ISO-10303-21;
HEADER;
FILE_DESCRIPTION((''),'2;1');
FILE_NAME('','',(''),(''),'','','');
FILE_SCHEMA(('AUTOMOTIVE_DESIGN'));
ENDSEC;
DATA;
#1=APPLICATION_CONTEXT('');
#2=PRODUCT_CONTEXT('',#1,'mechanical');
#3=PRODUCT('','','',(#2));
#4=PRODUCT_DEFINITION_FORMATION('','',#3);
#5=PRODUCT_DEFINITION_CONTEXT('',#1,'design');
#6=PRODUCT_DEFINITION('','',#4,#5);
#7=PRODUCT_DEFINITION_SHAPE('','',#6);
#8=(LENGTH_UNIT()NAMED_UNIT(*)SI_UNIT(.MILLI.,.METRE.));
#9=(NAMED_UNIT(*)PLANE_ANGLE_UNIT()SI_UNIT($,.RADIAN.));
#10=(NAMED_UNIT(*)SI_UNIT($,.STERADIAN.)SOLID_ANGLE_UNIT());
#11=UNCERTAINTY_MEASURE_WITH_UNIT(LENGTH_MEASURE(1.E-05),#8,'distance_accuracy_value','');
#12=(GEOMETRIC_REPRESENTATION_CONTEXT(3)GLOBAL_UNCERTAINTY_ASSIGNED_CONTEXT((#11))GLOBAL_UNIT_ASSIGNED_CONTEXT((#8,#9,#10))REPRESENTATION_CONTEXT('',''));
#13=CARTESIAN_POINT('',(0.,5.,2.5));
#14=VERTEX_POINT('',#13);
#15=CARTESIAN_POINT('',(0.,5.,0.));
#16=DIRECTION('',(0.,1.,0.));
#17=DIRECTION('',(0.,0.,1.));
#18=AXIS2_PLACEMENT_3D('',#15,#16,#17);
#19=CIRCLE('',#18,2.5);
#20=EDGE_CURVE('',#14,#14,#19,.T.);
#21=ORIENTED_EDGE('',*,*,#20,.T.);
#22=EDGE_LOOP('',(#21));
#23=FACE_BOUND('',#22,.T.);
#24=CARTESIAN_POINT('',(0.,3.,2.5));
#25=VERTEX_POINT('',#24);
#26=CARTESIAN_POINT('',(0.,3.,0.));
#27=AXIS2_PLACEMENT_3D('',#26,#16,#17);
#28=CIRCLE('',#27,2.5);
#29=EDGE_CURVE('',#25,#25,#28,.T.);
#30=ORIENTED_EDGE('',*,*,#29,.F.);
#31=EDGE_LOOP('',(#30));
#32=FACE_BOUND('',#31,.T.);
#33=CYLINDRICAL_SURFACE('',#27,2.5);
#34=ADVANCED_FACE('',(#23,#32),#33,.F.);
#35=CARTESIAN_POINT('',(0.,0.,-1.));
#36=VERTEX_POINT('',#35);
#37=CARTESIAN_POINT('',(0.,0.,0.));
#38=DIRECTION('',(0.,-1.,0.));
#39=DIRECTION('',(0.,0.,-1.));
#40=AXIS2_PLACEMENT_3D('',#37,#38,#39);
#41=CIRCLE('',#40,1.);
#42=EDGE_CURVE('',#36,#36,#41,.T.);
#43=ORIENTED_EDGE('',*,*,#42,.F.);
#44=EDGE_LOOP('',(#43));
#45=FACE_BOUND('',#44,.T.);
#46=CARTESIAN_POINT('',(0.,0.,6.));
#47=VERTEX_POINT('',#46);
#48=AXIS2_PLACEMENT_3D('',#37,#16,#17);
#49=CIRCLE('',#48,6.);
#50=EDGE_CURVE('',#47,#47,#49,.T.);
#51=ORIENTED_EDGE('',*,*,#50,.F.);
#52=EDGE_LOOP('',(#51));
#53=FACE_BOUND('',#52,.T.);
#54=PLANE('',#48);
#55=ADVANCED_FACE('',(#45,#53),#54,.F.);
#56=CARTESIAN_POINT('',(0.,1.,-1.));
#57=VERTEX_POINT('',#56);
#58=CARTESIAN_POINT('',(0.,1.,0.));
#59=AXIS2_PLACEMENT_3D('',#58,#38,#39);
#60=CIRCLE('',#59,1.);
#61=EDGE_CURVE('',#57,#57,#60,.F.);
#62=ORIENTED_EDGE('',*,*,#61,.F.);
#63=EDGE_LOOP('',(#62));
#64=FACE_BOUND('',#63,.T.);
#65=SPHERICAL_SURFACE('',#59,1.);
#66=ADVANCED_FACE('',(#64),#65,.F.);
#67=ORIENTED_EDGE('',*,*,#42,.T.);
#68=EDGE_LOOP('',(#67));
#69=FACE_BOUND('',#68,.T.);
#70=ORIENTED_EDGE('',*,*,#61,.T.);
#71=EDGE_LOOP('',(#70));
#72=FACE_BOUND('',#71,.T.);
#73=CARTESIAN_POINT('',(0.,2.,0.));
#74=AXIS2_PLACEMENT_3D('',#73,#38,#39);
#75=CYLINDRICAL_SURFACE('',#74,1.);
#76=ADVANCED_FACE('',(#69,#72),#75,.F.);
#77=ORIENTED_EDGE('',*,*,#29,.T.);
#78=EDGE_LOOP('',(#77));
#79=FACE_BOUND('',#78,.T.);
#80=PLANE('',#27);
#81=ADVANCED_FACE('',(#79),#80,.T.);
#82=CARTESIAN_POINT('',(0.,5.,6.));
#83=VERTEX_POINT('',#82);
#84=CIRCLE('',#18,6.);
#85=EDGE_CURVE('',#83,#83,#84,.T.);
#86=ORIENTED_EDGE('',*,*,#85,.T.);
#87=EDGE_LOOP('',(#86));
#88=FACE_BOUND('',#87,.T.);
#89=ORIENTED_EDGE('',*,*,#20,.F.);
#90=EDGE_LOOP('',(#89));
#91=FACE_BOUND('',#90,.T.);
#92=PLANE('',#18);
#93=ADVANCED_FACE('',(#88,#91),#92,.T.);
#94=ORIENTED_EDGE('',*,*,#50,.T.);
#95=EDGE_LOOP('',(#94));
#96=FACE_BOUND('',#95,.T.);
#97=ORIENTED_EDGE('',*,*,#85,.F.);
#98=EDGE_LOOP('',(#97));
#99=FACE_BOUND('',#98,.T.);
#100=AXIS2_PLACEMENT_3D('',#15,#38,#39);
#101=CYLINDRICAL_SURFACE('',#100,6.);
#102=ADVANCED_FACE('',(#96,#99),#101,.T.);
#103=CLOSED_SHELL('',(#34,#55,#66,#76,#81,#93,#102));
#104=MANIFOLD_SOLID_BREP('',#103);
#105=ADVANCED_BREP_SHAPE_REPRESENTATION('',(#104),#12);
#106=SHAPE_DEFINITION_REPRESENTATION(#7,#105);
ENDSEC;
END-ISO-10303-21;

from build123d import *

# Parameters (mm, degrees)
SKETCH1_R           = 6
BOSS_EXTRUDE1_DEPTH = 5
SKETCH2_R           = 2.5
CUT_EXTRUDE1_DEPTH  = 2
SKETCH3_R           = 1
CUT_EXTRUDE2_DEPTH  = 2
FILLET1_R           = 1


with BuildPart() as part:
    # Sketch1 → Boss-Extrude1 (new body)
    with BuildSketch(Plane(origin=(0, 0, 0), x_dir=(1, 0, 0), z_dir=(0, 1, 0))):
        Circle(SKETCH1_R)
    extrude(amount=BOSS_EXTRUDE1_DEPTH)

    # Sketch2 → Cut-Extrude1 (cut)
    with BuildSketch(Plane(origin=(0, 5, 0), x_dir=(1, 0, 0), z_dir=(0, 1, 0))):
        Circle(SKETCH2_R)
    extrude(amount=-CUT_EXTRUDE1_DEPTH, mode=Mode.SUBTRACT)

    # Sketch3 → Cut-Extrude2 (cut)
    with BuildSketch(Plane.XZ):
        Circle(SKETCH3_R)
    extrude(amount=-CUT_EXTRUDE2_DEPTH, mode=Mode.SUBTRACT)

    # Fillet1
    fillet1_edges = [part.edges().sort_by_distance(p)[0] for p in [
        (-1, 2, 0),
    ]]
    fillet(fillet1_edges, radius=FILLET1_R)


solid = part.part
